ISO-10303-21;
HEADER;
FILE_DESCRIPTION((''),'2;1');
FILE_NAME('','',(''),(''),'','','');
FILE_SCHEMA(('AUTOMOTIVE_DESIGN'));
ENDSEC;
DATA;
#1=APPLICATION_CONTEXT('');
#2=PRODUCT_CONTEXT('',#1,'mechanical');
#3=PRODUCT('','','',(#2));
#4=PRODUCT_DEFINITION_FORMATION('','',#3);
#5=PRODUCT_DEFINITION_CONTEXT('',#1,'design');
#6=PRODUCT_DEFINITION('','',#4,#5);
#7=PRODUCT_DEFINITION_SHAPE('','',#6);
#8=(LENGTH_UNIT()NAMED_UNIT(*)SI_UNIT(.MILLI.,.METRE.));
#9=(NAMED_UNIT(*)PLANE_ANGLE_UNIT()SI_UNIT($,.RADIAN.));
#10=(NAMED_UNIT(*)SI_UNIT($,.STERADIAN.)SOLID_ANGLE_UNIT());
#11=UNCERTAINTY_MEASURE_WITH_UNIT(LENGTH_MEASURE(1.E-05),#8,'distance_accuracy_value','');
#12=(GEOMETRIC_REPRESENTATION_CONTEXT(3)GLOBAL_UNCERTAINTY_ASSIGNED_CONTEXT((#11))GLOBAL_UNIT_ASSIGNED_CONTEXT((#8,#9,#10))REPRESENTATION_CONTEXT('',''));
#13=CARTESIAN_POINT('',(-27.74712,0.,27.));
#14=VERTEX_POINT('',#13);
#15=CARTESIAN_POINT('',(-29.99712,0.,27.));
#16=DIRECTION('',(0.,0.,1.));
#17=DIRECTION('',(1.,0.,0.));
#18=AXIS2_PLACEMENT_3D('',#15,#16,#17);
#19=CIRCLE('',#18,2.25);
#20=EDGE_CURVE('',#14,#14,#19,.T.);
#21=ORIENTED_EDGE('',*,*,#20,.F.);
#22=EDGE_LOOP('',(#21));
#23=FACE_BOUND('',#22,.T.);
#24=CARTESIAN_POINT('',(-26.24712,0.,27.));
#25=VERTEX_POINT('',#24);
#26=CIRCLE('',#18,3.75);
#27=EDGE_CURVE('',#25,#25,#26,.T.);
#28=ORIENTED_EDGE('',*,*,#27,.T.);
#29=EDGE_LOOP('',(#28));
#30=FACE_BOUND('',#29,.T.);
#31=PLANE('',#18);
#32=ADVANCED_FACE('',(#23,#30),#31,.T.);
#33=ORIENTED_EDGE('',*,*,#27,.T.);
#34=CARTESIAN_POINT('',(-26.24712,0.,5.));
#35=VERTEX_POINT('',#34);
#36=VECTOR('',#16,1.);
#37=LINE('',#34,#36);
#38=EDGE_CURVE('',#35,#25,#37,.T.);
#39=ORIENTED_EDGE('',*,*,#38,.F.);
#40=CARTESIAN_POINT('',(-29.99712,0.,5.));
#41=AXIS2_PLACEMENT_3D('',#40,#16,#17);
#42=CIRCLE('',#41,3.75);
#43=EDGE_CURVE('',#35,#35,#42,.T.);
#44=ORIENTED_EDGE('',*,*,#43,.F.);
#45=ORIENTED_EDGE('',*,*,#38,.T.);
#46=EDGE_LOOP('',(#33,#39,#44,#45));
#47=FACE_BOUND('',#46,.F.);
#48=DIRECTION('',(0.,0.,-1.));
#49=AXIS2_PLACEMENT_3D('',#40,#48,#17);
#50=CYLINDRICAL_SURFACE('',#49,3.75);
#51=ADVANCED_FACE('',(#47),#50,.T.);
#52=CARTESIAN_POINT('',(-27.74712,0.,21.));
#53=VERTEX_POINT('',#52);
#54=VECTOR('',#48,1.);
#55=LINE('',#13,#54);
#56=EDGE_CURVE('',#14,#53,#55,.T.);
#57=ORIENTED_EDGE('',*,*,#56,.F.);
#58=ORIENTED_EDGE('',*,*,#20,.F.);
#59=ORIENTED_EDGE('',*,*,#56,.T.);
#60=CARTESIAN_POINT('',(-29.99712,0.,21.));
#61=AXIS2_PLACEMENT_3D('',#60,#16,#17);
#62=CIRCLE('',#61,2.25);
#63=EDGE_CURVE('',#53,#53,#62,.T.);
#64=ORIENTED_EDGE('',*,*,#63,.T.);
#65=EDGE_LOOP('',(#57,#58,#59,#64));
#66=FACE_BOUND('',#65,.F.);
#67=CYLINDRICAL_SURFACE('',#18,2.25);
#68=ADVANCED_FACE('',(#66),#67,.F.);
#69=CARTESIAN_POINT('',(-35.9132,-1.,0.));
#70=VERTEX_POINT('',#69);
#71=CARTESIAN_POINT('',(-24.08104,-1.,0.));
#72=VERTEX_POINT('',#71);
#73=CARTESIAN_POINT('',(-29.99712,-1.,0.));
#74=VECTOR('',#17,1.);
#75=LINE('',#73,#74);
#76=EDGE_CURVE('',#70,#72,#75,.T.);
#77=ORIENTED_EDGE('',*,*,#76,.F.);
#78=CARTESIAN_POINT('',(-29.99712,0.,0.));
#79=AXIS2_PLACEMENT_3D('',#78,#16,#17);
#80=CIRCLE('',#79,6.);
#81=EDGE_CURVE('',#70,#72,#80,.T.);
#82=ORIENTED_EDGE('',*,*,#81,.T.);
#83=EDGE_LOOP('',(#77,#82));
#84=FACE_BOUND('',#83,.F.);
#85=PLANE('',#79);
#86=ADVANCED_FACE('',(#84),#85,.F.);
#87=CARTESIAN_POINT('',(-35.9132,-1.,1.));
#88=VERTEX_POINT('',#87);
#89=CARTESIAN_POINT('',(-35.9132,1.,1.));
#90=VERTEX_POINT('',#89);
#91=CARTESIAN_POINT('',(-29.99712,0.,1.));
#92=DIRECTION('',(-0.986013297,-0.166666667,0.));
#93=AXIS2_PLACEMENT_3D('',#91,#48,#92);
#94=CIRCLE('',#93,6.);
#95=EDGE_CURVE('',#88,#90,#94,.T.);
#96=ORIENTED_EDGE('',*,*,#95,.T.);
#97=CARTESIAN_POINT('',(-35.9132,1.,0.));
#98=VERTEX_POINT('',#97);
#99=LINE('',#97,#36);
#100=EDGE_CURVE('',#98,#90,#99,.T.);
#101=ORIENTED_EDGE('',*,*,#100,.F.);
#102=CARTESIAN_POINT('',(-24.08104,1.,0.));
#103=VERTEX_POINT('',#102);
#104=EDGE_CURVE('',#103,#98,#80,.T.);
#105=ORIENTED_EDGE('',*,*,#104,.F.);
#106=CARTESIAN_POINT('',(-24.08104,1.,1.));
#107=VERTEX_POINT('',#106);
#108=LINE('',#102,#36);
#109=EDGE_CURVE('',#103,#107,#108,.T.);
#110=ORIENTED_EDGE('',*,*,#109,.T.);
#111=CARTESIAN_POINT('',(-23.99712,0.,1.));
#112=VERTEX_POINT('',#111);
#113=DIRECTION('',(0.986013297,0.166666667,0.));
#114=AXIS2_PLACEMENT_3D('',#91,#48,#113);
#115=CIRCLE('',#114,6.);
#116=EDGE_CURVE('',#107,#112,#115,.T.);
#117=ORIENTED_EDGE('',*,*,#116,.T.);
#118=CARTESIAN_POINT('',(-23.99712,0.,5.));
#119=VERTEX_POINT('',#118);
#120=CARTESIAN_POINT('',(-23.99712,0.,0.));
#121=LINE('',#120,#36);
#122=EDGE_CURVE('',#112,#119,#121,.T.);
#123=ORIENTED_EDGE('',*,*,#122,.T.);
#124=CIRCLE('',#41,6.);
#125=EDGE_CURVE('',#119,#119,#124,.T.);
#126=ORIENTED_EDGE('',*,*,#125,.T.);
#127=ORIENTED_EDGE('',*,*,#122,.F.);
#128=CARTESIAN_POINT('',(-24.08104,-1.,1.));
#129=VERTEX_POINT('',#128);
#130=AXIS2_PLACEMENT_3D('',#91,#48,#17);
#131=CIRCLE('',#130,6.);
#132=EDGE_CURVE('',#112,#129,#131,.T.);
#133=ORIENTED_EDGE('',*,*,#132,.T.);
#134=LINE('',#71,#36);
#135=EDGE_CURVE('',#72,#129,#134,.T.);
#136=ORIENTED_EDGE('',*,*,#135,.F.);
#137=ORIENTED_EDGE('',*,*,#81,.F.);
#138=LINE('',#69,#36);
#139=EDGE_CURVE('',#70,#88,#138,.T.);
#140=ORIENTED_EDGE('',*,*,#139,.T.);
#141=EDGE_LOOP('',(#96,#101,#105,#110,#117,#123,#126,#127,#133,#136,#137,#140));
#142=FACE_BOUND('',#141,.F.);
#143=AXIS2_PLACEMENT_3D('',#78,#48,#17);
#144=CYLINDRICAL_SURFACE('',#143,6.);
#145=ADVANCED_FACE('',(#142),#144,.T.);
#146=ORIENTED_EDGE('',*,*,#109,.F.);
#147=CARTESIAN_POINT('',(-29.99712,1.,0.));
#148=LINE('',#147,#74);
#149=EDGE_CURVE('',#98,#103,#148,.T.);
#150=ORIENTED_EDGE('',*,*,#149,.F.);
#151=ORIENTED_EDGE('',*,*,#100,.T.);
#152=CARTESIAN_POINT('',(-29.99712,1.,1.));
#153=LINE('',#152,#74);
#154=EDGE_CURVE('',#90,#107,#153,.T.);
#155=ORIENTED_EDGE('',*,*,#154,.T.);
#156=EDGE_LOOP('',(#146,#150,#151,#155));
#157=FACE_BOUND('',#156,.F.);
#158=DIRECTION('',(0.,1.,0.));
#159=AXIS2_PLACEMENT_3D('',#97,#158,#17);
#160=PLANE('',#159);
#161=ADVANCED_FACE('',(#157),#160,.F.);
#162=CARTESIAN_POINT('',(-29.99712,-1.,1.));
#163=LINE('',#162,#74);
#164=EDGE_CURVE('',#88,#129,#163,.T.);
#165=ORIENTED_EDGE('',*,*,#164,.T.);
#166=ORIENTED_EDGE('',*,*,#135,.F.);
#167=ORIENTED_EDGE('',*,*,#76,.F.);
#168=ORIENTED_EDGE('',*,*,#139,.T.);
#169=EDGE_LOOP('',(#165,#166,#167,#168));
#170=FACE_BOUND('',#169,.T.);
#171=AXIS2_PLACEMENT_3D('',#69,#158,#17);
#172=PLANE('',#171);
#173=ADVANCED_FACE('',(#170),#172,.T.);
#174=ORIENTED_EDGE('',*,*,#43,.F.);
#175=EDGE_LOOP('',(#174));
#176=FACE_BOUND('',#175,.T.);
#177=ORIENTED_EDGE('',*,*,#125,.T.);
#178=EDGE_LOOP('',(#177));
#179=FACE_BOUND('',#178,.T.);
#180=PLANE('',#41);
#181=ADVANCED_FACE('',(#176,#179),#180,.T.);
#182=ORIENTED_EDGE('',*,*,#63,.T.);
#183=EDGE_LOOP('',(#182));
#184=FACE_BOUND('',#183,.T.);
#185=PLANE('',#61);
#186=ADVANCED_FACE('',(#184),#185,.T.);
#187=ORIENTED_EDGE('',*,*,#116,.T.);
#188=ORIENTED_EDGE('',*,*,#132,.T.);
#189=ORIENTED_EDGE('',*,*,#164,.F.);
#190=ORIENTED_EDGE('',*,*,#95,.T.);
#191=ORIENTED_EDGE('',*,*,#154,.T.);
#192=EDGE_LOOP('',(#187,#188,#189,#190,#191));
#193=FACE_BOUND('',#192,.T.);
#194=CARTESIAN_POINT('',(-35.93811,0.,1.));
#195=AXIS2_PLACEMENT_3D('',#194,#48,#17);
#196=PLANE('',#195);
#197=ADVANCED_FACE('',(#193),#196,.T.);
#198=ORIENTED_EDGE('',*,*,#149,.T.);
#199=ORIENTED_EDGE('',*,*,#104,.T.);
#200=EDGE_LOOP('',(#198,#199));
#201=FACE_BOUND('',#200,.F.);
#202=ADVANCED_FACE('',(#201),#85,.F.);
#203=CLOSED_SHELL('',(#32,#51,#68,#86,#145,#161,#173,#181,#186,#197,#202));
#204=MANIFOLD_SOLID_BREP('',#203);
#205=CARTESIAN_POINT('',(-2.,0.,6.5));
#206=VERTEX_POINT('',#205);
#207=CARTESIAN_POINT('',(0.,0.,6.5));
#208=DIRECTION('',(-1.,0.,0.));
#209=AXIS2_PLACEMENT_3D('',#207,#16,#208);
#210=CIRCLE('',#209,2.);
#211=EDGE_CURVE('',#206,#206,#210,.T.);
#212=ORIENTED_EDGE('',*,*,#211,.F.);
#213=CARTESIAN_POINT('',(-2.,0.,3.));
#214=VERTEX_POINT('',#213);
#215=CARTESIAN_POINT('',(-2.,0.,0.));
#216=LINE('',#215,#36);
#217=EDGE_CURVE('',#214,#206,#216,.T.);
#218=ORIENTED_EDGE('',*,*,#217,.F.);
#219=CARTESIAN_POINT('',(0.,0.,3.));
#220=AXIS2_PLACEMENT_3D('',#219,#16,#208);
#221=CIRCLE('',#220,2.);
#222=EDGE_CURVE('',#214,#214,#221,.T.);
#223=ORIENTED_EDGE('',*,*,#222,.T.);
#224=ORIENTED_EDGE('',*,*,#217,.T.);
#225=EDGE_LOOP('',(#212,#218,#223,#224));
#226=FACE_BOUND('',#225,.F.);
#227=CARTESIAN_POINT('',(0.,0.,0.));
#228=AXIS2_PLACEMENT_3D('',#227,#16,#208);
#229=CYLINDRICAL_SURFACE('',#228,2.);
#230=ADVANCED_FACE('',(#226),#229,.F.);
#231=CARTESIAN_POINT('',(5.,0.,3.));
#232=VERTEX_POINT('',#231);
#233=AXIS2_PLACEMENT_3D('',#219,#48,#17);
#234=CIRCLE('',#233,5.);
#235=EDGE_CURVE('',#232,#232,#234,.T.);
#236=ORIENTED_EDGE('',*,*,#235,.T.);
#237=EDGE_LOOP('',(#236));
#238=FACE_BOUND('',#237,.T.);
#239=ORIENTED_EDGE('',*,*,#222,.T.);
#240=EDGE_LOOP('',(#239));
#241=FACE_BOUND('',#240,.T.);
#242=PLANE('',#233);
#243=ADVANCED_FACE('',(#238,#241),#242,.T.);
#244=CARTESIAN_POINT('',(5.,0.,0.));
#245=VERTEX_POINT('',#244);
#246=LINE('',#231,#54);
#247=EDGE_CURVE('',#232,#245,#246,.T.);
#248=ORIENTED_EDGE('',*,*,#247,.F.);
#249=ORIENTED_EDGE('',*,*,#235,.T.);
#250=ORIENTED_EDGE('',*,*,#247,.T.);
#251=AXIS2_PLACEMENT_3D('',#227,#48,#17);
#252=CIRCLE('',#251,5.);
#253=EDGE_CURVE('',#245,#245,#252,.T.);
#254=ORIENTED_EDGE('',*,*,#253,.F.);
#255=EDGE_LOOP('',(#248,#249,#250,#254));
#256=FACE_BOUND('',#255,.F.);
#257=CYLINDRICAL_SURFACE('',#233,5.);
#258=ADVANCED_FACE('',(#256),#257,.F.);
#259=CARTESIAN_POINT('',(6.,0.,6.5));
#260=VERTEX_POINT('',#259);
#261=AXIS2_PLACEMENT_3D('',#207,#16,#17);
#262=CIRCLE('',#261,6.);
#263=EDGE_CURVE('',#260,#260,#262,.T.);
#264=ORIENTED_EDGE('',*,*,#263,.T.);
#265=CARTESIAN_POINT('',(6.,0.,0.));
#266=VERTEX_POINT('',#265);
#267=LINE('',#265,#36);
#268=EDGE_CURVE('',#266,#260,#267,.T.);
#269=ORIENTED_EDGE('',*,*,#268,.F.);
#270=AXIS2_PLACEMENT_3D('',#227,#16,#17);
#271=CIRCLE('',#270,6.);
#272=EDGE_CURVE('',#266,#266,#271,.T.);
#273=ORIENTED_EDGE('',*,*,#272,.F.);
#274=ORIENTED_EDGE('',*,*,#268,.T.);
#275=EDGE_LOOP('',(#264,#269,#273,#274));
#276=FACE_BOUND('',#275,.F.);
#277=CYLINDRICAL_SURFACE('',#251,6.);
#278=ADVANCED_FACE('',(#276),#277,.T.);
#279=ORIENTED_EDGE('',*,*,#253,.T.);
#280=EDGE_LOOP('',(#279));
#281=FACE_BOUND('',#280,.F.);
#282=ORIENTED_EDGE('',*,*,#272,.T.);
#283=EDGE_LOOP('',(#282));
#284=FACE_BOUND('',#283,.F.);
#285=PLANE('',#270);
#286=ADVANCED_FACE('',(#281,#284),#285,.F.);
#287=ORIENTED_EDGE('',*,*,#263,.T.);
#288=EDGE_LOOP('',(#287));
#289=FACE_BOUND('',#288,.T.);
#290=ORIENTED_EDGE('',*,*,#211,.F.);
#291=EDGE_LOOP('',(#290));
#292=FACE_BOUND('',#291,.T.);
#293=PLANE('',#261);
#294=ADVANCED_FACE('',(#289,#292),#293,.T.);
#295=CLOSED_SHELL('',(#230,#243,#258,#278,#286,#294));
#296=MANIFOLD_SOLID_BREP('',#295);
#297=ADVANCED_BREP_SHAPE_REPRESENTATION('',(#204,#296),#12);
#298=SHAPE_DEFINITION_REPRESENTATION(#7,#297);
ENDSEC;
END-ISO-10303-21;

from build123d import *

# Parameters (mm, degrees)
F0_R            = 6
F1_DEPTH        = 6.5
F2_R            = 6
F3_DEPTH        = 5
F4_R            = 3.75
F5_DEPTH        = 22
F6_W            = 11.8321595662
F6_H            = 2
F7_DEPTH        = 1
F10_D           = 4
F10_CBORE_D     = 10
F10_CBORE_DEPTH = 3
F11_R           = 2.25
F12_DEPTH       = 6


with BuildPart() as f1:
    # F0 (on Top) → F1 (new body)
    with BuildSketch(Plane.XY):
        Circle(F0_R)
    extrude(amount=F1_DEPTH)

    # F10 (through all)
    with Locations(Plane(origin=(0, 0, 0), x_dir=(1, 0, 0), z_dir=(0, 0, -1))):
        with Locations((0, 0)):
            CounterBoreHole(F10_D / 2, F10_CBORE_D / 2, F10_CBORE_DEPTH)


with BuildPart() as f3:
    # F2 (on Top) → F3 (new body)
    with BuildSketch(Plane.XY):
        with Locations((-29.9971198939, 0)):
            Circle(F2_R)
    extrude(amount=F3_DEPTH)

    # F4 (on face) → F5 (join)
    with BuildSketch(Plane.XY.offset(5)):
        with Locations((-29.9971198939, 0)):
            Circle(F4_R)
    extrude(amount=F5_DEPTH)

    # F6 (on face) → F7 (cut)
    with BuildSketch(Plane(origin=(0, 0, 0), x_dir=(1, 0, 0), z_dir=(0, 0, -1))):
        with BuildLine():
            Line((-35.913199677, -1), (-35.913199677, 1))
            ThreePointArc((-35.913199677, 1), (-35.9971198939, 0), (-35.913199677, -1))
        make_face()
        with Locations((-29.9971198939, 0)):
            Rectangle(F6_W, F6_H)
        with BuildLine():
            ThreePointArc((-23.9971198939, 0), (-24.0181367572, 0.5017575617), (-24.0810401108, 1))
            Line((-24.0810401108, 1), (-24.0810401108, -1))
            ThreePointArc((-24.0810401108, -1), (-24.0181367572, -0.5017575617), (-23.9971198939, 0))
        make_face()
    extrude(amount=-F7_DEPTH, mode=Mode.SUBTRACT)

    # F11 (on face) → F12 (cut)
    with BuildSketch(Plane.XY.offset(27)):
        with Locations((-29.9971198939, 0)):
            Circle(F11_R)
    extrude(amount=-F12_DEPTH, mode=Mode.SUBTRACT)


solid = Compound([f1.part, f3.part])
